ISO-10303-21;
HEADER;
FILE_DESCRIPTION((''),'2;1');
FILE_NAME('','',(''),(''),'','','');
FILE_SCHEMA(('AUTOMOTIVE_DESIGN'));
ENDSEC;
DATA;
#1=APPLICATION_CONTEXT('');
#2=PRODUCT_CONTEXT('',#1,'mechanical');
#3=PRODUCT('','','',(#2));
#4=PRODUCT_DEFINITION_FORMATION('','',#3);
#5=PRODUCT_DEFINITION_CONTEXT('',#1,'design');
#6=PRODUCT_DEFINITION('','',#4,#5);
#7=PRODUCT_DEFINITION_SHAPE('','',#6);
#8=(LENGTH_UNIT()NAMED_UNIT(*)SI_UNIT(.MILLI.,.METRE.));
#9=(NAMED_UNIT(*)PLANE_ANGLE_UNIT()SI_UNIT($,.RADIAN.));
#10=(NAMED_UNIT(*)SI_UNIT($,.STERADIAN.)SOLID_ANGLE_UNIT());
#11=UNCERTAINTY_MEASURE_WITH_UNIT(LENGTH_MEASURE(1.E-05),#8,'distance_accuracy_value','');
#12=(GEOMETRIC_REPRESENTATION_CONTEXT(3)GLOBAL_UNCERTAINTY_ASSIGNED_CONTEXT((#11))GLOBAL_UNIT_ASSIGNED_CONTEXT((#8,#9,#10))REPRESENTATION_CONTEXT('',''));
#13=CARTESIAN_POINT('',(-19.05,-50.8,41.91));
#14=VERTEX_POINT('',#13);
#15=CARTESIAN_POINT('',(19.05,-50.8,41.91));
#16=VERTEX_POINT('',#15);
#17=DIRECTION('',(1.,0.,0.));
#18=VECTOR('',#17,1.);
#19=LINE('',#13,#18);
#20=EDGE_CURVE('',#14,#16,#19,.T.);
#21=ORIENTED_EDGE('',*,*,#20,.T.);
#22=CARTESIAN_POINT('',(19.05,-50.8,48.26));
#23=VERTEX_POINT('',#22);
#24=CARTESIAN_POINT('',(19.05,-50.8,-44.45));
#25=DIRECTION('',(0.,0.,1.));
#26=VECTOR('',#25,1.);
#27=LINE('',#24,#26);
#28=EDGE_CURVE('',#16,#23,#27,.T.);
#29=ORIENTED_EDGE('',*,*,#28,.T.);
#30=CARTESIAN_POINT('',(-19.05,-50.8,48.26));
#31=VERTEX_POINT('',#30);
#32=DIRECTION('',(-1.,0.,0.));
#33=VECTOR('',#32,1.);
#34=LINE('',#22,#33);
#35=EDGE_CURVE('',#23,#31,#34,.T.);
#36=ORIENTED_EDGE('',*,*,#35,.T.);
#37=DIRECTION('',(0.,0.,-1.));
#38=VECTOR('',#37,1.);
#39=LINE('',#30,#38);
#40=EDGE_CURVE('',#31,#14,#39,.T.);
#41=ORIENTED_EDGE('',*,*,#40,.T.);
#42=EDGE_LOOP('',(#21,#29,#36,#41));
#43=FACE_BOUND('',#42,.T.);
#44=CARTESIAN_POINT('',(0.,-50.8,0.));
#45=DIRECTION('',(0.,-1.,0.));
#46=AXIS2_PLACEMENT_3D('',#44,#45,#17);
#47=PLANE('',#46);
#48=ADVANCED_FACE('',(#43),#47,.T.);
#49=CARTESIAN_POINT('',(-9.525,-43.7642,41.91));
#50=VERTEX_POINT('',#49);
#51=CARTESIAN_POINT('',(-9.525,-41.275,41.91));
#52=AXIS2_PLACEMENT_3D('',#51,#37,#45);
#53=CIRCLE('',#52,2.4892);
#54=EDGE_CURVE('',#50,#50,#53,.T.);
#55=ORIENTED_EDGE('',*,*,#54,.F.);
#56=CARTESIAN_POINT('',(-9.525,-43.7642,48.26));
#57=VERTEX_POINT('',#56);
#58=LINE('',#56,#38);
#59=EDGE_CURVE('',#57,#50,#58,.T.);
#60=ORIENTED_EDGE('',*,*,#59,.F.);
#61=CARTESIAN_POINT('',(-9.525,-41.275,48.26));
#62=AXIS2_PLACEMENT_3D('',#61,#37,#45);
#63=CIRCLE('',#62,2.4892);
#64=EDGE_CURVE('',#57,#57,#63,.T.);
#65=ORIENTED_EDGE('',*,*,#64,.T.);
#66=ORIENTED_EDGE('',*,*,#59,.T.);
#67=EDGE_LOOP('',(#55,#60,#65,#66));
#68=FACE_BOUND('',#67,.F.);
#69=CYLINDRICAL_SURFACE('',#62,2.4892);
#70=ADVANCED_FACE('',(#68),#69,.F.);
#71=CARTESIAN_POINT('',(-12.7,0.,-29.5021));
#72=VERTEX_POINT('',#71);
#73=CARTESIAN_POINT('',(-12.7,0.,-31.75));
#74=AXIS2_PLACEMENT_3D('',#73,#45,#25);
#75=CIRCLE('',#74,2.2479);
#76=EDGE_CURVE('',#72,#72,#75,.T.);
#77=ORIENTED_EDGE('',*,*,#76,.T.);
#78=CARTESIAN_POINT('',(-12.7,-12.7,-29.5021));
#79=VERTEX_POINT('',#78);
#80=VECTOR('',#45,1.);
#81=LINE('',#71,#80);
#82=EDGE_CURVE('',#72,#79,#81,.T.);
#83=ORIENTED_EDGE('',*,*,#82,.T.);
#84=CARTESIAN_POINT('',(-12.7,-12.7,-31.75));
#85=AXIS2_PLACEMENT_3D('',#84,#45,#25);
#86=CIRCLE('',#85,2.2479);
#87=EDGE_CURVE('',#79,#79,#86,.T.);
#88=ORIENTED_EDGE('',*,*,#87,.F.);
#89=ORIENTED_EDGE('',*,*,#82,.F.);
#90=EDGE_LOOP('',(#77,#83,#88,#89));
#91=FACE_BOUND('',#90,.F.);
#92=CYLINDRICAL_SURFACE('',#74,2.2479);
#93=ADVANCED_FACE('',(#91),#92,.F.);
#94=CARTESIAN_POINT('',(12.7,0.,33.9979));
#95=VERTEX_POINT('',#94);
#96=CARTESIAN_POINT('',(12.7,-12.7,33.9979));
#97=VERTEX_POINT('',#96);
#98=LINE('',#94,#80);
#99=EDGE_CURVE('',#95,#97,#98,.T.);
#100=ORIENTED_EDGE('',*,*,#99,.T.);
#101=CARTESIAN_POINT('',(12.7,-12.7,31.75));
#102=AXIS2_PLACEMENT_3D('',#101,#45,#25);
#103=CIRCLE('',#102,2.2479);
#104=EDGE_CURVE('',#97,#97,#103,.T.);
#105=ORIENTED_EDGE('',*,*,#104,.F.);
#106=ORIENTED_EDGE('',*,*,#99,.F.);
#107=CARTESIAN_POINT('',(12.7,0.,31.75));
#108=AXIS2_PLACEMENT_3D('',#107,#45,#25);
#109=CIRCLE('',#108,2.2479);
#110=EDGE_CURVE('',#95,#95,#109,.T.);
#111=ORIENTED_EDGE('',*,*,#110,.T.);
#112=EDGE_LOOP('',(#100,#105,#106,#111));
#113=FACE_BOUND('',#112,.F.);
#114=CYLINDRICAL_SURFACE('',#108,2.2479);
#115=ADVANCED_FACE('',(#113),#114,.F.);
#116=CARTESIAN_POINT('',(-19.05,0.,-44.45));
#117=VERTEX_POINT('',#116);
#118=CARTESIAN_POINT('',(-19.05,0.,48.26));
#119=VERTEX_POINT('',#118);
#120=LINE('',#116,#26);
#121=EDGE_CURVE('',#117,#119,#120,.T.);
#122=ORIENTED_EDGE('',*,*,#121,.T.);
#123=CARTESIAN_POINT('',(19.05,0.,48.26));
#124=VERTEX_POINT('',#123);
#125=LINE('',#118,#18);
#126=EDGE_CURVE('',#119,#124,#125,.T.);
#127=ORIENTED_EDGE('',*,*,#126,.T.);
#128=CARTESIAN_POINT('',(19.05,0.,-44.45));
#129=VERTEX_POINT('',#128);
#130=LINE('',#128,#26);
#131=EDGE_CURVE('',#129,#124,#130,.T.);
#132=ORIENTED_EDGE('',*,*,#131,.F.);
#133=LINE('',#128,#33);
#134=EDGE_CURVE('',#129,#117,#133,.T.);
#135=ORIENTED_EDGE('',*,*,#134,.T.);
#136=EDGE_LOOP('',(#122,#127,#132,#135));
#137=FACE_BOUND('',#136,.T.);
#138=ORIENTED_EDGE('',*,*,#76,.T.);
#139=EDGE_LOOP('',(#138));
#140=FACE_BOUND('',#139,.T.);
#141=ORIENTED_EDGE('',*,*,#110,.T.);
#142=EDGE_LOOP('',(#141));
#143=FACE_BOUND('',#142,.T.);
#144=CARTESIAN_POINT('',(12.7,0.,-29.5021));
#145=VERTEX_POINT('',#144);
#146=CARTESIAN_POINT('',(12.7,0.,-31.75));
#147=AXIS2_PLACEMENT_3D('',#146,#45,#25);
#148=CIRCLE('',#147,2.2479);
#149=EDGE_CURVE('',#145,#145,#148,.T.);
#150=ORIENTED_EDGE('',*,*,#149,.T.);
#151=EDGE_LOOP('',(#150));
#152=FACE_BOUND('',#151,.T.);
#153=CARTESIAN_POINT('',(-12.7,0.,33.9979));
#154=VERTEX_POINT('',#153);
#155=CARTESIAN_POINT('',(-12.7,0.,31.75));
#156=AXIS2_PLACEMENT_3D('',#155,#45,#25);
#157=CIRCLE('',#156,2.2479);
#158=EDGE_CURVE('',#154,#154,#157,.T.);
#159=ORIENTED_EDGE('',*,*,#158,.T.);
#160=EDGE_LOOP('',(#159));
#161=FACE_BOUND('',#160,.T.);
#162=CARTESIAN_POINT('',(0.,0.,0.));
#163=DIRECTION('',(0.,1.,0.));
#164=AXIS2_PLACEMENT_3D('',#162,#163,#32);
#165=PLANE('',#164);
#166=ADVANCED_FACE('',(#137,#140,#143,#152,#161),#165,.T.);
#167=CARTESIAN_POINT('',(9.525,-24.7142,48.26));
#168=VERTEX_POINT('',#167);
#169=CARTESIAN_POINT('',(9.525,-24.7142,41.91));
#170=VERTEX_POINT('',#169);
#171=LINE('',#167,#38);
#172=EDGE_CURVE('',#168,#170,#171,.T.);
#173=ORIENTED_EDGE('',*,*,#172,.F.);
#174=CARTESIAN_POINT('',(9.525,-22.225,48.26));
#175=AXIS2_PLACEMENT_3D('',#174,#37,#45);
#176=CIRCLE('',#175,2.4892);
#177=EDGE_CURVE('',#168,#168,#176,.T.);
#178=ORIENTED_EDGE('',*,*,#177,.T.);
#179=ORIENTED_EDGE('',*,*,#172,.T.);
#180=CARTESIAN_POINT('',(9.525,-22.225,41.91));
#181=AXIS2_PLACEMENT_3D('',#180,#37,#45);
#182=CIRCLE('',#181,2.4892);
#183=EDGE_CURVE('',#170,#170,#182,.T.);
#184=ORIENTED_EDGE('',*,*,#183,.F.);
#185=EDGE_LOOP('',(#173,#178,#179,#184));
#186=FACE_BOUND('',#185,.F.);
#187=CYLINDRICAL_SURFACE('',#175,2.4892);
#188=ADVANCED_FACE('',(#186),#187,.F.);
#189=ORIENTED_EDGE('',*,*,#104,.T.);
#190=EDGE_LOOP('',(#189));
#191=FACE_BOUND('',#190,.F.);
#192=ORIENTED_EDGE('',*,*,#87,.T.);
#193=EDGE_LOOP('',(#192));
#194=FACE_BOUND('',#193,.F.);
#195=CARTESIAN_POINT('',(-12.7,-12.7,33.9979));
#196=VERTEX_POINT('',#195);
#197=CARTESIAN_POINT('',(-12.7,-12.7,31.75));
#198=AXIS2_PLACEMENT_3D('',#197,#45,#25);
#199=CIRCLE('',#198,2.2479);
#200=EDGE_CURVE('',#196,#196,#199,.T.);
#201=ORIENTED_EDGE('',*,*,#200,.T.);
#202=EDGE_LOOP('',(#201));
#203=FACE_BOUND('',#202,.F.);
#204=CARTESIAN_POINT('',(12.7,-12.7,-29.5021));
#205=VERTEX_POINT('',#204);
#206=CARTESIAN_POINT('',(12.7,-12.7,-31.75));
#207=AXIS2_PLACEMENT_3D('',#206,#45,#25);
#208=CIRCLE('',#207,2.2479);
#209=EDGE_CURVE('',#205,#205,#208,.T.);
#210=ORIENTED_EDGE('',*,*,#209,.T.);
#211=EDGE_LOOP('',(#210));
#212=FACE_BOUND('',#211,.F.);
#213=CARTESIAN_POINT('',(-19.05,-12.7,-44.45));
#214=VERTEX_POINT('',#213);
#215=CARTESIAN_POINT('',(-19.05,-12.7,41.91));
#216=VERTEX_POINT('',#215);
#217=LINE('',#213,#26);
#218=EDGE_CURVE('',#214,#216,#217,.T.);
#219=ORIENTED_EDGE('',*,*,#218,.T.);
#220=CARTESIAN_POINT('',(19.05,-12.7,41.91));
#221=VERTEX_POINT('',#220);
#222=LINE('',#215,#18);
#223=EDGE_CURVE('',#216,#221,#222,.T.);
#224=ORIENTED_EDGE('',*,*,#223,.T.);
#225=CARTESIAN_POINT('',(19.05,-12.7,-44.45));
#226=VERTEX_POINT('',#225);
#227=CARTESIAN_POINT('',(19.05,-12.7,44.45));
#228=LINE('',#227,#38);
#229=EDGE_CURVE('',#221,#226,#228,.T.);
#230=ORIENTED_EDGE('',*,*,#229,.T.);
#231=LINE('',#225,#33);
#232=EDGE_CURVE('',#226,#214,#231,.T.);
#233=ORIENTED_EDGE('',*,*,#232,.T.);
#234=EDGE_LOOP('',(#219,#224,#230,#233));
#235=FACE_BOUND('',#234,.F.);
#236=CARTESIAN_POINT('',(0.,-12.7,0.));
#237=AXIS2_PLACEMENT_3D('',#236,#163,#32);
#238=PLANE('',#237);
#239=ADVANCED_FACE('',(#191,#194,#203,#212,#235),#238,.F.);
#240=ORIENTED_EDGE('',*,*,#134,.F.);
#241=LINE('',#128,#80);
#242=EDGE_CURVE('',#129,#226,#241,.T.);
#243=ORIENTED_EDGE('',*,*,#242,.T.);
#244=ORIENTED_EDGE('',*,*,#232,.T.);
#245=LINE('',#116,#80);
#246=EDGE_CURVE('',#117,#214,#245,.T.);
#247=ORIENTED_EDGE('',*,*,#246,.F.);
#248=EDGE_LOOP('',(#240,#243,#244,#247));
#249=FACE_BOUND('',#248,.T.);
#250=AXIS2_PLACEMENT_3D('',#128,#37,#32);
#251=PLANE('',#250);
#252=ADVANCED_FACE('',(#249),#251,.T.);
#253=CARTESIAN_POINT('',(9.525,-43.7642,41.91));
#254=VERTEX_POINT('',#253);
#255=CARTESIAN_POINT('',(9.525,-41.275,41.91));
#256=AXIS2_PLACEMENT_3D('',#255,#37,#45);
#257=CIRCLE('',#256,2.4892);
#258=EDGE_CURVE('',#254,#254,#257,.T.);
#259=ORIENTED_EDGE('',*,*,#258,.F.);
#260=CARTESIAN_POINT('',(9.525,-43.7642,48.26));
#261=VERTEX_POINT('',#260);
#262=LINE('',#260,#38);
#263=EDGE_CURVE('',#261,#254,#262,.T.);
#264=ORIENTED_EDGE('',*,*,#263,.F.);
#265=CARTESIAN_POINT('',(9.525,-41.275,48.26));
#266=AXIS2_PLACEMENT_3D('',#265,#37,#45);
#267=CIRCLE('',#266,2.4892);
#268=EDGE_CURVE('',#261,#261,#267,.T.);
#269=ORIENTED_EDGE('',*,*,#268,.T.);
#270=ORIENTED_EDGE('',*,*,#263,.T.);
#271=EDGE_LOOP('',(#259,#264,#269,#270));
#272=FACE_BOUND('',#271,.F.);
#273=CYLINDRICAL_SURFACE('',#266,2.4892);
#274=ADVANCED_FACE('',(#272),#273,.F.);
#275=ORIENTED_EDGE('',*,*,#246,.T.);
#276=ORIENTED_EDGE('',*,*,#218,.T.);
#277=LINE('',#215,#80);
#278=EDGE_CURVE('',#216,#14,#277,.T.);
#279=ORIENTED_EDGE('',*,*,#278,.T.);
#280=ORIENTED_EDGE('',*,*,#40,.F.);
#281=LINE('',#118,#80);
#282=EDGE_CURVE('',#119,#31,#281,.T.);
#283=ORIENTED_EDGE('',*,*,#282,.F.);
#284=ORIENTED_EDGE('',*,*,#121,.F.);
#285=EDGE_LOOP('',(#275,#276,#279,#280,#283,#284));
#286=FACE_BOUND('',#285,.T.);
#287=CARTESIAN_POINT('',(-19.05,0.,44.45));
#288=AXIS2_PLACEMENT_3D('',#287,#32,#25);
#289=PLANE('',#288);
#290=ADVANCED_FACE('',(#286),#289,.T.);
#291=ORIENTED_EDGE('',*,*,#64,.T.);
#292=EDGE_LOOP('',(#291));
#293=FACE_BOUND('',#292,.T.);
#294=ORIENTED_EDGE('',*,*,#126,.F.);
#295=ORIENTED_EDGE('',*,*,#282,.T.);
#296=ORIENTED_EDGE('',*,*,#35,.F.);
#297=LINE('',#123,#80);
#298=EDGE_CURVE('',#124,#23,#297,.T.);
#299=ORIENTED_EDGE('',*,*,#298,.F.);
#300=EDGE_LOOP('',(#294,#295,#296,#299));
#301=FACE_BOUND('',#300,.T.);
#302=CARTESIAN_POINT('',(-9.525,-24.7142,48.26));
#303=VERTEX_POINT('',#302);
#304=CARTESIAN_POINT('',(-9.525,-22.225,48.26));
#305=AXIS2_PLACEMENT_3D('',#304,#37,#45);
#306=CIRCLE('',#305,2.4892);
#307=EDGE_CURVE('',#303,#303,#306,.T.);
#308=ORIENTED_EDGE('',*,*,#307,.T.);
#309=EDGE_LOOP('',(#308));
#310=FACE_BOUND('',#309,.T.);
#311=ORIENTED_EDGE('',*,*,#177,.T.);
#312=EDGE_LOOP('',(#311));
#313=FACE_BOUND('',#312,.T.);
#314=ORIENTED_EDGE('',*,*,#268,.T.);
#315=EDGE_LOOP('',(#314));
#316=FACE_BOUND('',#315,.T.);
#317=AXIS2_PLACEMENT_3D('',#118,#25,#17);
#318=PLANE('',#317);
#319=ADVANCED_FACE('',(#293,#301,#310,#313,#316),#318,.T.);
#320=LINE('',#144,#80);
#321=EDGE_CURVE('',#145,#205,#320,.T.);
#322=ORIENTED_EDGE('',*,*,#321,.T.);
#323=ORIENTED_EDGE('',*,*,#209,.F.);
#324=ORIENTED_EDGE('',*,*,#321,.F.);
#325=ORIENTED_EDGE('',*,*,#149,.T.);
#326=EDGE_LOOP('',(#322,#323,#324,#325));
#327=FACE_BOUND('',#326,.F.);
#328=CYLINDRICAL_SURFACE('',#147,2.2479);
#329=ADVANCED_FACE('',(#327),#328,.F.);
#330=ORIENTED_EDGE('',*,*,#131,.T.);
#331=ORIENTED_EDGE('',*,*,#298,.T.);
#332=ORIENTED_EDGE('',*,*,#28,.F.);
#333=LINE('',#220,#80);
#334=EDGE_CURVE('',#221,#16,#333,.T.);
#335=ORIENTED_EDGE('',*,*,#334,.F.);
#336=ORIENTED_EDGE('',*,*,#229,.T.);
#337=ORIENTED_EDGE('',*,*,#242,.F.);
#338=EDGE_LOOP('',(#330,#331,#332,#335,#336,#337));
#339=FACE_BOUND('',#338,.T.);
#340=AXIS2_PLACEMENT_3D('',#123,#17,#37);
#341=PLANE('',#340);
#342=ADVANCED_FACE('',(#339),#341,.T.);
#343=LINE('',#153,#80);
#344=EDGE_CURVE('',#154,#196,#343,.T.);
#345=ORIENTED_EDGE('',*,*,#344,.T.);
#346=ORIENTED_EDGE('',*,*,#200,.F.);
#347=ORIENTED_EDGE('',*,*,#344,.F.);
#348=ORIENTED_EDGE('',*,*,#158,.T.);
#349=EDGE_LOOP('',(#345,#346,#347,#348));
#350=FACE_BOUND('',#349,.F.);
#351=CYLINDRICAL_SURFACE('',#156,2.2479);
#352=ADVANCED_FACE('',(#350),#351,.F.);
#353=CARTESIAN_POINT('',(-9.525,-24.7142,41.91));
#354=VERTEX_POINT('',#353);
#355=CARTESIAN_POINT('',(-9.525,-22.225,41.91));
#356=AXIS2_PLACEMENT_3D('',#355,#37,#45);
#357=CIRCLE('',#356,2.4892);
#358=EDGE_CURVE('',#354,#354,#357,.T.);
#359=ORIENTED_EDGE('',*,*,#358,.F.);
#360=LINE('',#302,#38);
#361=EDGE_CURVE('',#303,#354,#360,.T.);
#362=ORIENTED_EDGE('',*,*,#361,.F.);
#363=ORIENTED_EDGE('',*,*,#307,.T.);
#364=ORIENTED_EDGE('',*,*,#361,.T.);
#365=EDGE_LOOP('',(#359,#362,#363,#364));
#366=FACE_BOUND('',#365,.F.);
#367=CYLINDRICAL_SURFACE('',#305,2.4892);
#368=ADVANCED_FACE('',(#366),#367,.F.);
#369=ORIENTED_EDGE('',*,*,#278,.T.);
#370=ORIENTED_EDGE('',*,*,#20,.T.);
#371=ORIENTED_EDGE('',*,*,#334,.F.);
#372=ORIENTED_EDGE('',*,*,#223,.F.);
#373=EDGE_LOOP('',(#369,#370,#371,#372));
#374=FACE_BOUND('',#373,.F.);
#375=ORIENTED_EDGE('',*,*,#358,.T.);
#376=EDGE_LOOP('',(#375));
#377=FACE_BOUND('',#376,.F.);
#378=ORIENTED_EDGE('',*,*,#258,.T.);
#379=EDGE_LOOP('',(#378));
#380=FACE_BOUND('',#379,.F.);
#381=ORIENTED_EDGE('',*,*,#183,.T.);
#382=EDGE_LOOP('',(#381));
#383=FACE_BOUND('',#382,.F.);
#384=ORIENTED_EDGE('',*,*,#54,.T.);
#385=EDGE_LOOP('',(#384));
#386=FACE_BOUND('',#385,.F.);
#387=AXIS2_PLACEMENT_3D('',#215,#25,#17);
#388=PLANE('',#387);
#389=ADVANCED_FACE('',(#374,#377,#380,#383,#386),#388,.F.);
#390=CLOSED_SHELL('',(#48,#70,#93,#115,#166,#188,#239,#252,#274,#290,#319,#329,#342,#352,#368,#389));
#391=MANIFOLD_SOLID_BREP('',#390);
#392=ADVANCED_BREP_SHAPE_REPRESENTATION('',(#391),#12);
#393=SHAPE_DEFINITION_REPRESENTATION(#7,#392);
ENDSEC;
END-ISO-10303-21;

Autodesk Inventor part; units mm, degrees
ref_plane "YZ Plane" through (0, 0, 0) normal (1, 0, 0) x (0, 1, 0)
ref_plane "XZ Plane" through (0, 0, 0) normal (0, 1, 0) x (-1, 0, 0)
ref_plane "XY Plane" through (0, 0, 0) normal (0, 0, 1) x (1, 0, 0)
sketch "Sketch2" plane through (0, 0, 0) normal (0, 1, 0) x (-1, 0, 0)
  line L0 (-19.05, 44.45) -> (-19.05, -44.45)
  line L1 (-19.05, -44.45) -> (19.05, -44.45)
  line L2 (19.05, -44.45) -> (19.05, 44.45)
  line L3 (19.05, 44.45) -> (-19.05, 44.45) construction
  line L4 (-19.05, 44.45) -> (19.05, -44.45) construction
  line L5 (-19.05, -44.45) -> (19.05, 44.45) construction
  line L6 (19.05, 44.45) -> (19.05, 48.26)
  line L7 (19.05, 48.26) -> (-19.05, 48.26)
  line L8 (-19.05, 48.26) -> (-19.05, 43.3404)
  point P0 (0, 0)
  dimension "lengthBaseAirCylinder" = 88.9
  dimension "widthBaseOfAirCylinder" = 38.1
  dimension "extenstionForStroke" = 3.81
extrude "Extrusion1" add sketch "Sketch2" against normal blind 12.7
sketch "Sketch3" plane through (0, -12.7, 0) normal (0, -1, 0) x (1, 0, 0)
  line L0 (19.05, -44.45) -> (19.05, 48.26) projected
  line L1 (-19.05, 48.26) -> (-19.05, -44.45) projected
  line L2 (19.05, 48.26) -> (-19.05, 48.26)
  line L3 (-19.05, 48.26) -> (-19.05, 41.91)
  line L4 (-19.05, 41.91) -> (19.05, 41.91)
  line L5 (19.05, 41.91) -> (19.05, 48.26)
  point P0 (0, 0)
  dimension "d9" = 6.35
extrude "Extrusion2" add sketch "Sketch3" along normal blind 38.1
sketch "Sketch4" plane through (0, 0, 0) normal (0, 1, 0) x (1, 0, 0)
  line L0 (12.7, -31.75) -> (12.7, 31.75) construction
  line L1 (12.7, 31.75) -> (-12.7, 31.75) construction
  line L2 (-12.7, 31.75) -> (-12.7, -31.75) construction
  line L3 (-12.7, -31.75) -> (12.7, -31.75) construction
  line L4 (12.7, -31.75) -> (-12.7, 31.75) construction
  line L5 (12.7, 31.75) -> (-12.7, -31.75) construction
  point P0 (0, 0)
  dimension "widthForCylinderBoltHoles" = 25.4
  dimension "lengthForCylinderHoles" = 63.5
hole "Hole1" at (12.7, 0, 31.75) at (12.7, 0, -31.75) at (-12.7, 0, -31.75) at (-12.7, 0, 31.75) direction (0, -1, 0) diameter 4.4958 end through all clearance for "Flat Head Machine Screw (82)" size "#8" standard "Ansi Unified Screw Threads"
sketch "Sketch5" plane through (-19.05, 0, 48.26) normal (0, 0, 1) x (1, 0, 0)
  line L0 (38.1, -12.7) -> (0, -12.7) projected
  line L1 (19.05, -12.7) -> (19.05, -50.8) construction
  line L2 (38.1, -50.8) -> (0, -50.8) construction
  line L3 (9.525, -41.275) -> (28.575, -41.275) construction
  line L4 (28.575, -41.275) -> (28.575, -22.225) construction
  line L5 (28.575, -22.225) -> (9.525, -22.225) construction
  line L6 (9.525, -22.225) -> (9.525, -41.275) construction
  line L7 (9.525, -41.275) -> (28.575, -22.225) construction
  line L8 (28.575, -41.275) -> (9.525, -22.225) construction
  point P0 (19.05, 0)
  point P1 (19.05, -31.75)
  dimension "d21" = 19.05
  dimension "d22" = 19.05
hole "Hole2" at (-9.525, -41.275, 48.26) at (9.525, -41.275, 48.26) at (9.525, -22.225, 48.26) at (-9.525, -22.225, 48.26) direction (0, 0, -1) diameter 4.9784 end through all thread size "1/4-20 UNC" class "2B" standard "ANSI Unified Screw Threads"
properties part number "SupportForStopAirCylinder" material "Aluminum 6061"
